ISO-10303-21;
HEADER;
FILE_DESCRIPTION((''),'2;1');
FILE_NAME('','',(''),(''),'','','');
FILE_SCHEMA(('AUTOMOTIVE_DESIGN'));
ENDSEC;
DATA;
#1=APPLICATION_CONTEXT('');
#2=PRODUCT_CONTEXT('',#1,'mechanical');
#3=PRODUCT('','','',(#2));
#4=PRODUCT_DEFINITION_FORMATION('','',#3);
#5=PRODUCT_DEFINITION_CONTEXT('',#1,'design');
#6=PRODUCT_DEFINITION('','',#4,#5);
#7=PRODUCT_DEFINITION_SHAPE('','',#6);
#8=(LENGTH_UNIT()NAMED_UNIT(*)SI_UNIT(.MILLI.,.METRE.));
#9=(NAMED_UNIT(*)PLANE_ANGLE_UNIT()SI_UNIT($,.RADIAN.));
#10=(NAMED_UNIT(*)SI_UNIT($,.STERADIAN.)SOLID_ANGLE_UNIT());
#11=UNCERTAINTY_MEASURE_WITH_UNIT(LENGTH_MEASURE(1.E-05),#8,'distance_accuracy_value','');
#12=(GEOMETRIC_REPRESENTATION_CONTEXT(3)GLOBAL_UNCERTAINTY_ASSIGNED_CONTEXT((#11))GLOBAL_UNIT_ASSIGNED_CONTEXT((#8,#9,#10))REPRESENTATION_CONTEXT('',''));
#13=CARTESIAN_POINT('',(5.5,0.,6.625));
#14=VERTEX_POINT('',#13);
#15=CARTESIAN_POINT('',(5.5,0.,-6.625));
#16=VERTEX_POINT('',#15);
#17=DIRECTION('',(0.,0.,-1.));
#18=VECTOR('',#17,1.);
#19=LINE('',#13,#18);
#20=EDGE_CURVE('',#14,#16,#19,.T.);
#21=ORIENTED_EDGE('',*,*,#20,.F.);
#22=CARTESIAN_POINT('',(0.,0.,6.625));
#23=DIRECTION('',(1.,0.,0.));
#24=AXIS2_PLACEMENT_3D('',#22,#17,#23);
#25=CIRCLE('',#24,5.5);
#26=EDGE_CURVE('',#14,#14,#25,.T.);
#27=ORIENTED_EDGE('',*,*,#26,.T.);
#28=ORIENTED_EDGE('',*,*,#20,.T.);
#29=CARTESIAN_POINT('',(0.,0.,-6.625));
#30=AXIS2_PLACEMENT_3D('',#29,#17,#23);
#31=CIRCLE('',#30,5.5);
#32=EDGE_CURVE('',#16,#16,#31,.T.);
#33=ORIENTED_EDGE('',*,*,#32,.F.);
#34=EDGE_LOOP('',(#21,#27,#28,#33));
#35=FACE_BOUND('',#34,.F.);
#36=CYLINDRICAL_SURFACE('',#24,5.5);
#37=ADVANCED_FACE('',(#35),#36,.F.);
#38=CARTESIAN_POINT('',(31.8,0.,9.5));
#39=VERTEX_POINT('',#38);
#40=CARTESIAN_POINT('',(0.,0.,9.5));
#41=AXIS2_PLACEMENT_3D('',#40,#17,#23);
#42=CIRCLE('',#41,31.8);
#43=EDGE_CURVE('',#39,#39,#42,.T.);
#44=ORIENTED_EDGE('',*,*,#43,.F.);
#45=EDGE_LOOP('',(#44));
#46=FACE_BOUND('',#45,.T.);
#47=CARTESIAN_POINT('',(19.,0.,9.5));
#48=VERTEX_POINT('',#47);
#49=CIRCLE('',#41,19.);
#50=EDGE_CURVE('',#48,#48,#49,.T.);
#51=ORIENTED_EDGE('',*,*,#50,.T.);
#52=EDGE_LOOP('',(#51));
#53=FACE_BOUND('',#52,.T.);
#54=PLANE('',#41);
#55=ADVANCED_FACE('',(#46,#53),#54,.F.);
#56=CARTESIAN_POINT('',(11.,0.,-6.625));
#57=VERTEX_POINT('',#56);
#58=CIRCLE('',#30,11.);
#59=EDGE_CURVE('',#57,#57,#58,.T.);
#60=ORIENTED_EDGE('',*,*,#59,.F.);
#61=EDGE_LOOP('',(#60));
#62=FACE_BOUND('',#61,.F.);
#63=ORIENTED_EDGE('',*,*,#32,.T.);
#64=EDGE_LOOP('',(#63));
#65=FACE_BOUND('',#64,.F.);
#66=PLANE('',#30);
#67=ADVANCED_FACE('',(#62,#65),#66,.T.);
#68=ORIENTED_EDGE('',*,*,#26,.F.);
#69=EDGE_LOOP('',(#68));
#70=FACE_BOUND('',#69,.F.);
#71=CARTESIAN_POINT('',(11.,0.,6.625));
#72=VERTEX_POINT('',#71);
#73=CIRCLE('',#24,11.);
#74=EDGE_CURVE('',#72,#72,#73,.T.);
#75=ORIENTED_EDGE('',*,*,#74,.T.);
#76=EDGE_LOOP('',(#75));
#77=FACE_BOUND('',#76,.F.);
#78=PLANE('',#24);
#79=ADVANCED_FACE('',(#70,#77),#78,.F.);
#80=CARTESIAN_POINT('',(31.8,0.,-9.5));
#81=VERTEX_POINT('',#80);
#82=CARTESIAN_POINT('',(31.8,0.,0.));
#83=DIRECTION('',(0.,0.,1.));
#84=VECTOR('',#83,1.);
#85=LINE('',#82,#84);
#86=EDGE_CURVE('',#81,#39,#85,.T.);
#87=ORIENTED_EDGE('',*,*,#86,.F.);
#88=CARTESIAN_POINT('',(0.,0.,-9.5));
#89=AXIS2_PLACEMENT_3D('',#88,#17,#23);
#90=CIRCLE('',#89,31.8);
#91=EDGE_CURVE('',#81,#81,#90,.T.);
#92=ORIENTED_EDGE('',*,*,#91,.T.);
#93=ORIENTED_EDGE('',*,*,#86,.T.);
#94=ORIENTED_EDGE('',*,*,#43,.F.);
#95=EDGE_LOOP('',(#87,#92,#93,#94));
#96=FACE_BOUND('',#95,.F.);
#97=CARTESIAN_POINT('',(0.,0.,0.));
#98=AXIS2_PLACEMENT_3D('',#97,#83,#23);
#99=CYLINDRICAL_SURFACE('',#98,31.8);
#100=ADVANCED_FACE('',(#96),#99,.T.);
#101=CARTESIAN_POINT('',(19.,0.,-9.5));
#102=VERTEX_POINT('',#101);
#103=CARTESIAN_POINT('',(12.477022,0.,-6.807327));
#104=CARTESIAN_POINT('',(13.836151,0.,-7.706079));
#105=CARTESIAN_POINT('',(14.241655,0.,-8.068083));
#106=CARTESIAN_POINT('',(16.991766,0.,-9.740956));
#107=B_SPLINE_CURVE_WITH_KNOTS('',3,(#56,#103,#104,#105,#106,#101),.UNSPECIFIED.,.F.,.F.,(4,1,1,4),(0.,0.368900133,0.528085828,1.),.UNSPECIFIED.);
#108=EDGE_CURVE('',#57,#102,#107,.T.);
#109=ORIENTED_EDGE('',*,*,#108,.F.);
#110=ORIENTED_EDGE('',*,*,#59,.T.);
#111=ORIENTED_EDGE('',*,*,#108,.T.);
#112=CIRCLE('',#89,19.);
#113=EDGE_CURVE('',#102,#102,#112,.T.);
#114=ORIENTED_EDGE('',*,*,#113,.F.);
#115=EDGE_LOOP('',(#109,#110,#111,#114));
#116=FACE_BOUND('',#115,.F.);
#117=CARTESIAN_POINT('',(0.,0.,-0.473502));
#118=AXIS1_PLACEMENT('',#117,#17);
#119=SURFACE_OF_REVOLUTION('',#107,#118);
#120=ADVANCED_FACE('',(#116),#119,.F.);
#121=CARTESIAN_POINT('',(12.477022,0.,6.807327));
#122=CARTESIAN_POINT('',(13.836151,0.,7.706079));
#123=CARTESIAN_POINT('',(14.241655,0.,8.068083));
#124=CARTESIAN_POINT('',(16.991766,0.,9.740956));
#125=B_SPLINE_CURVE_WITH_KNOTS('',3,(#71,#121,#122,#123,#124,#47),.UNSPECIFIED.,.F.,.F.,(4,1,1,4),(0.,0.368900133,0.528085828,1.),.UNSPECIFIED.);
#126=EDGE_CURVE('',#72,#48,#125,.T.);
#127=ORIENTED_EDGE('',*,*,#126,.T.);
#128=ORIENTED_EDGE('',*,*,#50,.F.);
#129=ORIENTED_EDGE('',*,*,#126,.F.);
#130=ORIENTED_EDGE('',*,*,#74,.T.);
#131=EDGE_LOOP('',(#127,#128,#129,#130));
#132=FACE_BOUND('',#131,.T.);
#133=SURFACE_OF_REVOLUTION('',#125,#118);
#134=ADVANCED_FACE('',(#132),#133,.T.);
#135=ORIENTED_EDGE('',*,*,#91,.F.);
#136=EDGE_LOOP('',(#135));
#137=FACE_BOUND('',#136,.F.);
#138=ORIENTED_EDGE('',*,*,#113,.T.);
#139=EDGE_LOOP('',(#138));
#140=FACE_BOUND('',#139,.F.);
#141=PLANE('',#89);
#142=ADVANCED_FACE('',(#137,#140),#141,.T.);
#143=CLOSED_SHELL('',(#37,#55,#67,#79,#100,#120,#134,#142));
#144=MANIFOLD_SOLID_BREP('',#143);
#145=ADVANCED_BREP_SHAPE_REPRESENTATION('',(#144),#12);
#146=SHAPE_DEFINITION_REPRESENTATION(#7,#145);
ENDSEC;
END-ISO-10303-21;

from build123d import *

# Parameters (mm, degrees)
F0_W = 12.8
F0_H = 19


with BuildPart() as f1:
    # F0 (on Front) → F1 (revolve)
    with BuildSketch(Plane.XZ):
        with BuildLine():
            Line((11, 6.625), (5.5, 6.625))
            Line((5.5, 6.625), (5.5, -6.625))
            Line((5.5, -6.625), (11, -6.625))
            add(Edge.make_bspline(
                [(11, -6.625), (12.4770218782, -6.8073266533), (13.8361511082, -7.7060788567), (14.2416545495, -8.0680834721), (16.9917661697, -9.7409561276), (19, -9.5)],
                knots=[0, 0, 0, 0, 0.3689001328, 0.5280858278, 1, 1, 1, 1], degree=3))
            Line((19, -9.5), (19, 9.5))
            add(Edge.make_bspline(
                [(11, 6.625), (12.4770218782, 6.8073266533), (13.8361511082, 7.7060788567), (14.2416545495, 8.0680834721), (16.9917661697, 9.7409561276), (19, 9.5)],
                knots=[0, 0, 0, 0, 0.3689001328, 0.5280858278, 1, 1, 1, 1], degree=3))
        make_face()
        with Locations((25.4, 0)):
            Rectangle(F0_W, F0_H)
    revolve(axis=Axis((0, 0, -0.4735022907), (0, 0, -1)))


solid = f1.part
